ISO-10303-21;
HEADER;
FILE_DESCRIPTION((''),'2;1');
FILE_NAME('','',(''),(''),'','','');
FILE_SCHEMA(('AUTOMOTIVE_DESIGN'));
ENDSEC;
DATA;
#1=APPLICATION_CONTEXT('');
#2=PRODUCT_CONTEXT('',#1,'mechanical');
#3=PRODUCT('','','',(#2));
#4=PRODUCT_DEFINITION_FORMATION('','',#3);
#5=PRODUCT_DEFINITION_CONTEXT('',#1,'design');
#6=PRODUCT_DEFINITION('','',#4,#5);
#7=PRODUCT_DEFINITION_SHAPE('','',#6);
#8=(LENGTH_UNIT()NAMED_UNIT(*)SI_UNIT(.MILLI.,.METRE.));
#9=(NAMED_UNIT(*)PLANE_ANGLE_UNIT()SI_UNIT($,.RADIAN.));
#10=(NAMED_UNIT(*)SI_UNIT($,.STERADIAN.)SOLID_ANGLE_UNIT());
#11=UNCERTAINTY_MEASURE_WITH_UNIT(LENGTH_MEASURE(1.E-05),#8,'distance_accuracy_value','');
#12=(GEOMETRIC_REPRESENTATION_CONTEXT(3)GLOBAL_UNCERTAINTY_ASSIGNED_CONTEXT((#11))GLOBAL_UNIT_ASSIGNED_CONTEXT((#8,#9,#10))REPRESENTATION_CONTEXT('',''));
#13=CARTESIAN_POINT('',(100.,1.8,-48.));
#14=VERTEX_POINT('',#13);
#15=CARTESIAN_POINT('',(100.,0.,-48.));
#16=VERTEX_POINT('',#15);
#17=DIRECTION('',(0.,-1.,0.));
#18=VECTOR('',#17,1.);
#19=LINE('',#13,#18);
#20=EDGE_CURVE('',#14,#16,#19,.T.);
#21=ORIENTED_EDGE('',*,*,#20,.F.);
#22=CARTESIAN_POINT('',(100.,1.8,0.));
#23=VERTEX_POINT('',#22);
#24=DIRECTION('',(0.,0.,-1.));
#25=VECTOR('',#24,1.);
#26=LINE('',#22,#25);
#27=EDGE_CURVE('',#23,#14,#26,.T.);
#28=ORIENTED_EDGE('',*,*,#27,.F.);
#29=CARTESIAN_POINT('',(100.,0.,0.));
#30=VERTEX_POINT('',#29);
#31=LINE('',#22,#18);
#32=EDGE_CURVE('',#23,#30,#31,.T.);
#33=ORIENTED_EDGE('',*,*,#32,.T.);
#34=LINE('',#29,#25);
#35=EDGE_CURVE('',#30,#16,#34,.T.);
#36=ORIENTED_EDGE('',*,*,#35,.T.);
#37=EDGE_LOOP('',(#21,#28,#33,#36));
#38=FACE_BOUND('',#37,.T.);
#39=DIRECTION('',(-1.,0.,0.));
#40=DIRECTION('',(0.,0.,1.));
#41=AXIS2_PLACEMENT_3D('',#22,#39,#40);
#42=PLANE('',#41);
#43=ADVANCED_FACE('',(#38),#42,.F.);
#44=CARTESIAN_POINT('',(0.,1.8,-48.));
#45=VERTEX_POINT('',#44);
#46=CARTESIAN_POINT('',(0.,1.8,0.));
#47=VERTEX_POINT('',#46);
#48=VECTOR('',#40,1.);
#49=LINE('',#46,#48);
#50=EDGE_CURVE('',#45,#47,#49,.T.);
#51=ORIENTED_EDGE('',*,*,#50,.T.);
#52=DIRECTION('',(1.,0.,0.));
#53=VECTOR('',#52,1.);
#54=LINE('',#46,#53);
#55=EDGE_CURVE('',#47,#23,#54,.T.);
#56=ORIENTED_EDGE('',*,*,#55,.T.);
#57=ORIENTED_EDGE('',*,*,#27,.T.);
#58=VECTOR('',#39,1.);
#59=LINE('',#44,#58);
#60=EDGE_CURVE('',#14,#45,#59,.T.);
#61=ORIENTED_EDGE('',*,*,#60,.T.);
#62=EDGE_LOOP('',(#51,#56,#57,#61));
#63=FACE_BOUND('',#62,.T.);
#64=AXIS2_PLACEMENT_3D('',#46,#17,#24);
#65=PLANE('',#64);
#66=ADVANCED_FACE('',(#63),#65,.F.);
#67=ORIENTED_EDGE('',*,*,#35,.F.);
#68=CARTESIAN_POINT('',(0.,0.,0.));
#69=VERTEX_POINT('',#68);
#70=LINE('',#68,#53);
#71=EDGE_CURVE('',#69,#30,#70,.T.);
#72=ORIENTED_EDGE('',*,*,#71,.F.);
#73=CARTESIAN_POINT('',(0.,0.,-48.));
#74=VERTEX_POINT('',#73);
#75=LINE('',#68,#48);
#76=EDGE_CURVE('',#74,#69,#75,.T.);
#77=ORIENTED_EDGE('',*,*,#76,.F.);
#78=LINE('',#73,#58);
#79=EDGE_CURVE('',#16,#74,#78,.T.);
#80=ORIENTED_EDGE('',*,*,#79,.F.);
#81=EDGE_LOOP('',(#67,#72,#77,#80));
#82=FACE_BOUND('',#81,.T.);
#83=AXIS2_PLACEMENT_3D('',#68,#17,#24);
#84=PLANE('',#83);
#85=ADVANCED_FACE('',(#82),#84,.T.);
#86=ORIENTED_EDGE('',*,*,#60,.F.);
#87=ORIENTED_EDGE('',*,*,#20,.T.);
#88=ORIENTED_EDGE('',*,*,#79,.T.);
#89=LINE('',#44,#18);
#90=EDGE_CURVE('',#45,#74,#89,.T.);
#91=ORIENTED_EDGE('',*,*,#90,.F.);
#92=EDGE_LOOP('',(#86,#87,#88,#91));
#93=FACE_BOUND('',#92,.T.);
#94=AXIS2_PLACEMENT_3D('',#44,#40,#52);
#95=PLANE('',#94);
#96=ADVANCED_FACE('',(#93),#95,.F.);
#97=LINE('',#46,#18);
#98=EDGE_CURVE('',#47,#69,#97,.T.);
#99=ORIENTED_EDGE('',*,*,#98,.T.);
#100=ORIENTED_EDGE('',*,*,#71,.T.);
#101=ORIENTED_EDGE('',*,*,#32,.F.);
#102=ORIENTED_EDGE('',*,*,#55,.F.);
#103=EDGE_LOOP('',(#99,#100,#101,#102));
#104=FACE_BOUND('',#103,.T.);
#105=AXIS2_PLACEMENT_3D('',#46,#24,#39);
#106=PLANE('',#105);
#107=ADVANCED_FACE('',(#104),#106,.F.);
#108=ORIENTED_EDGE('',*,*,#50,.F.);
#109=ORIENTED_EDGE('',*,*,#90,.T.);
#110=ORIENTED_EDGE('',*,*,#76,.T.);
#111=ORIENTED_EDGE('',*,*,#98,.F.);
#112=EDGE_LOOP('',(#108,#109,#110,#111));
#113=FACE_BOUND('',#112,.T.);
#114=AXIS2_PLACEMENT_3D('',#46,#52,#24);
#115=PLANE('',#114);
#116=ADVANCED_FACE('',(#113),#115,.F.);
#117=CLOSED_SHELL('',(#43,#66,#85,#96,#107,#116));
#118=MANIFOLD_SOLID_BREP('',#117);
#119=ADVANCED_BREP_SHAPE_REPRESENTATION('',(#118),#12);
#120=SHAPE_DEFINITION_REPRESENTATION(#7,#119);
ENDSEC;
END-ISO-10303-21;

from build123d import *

# Parameters (mm, degrees)
SKETCH_1_W      = 100
SKETCH_1_H      = 48
EXTRUDE_1_DEPTH = 1.8


with BuildPart() as part:
    # 草图1 → 凸台-拉伸1 (new body)
    with BuildSketch(Plane(origin=(0, 0, 0), x_dir=(1, 0, 0), z_dir=(0, 1, 0))):
        with Locations((50, 24)):
            Rectangle(SKETCH_1_W, SKETCH_1_H)
    extrude(amount=EXTRUDE_1_DEPTH)


solid = part.part
